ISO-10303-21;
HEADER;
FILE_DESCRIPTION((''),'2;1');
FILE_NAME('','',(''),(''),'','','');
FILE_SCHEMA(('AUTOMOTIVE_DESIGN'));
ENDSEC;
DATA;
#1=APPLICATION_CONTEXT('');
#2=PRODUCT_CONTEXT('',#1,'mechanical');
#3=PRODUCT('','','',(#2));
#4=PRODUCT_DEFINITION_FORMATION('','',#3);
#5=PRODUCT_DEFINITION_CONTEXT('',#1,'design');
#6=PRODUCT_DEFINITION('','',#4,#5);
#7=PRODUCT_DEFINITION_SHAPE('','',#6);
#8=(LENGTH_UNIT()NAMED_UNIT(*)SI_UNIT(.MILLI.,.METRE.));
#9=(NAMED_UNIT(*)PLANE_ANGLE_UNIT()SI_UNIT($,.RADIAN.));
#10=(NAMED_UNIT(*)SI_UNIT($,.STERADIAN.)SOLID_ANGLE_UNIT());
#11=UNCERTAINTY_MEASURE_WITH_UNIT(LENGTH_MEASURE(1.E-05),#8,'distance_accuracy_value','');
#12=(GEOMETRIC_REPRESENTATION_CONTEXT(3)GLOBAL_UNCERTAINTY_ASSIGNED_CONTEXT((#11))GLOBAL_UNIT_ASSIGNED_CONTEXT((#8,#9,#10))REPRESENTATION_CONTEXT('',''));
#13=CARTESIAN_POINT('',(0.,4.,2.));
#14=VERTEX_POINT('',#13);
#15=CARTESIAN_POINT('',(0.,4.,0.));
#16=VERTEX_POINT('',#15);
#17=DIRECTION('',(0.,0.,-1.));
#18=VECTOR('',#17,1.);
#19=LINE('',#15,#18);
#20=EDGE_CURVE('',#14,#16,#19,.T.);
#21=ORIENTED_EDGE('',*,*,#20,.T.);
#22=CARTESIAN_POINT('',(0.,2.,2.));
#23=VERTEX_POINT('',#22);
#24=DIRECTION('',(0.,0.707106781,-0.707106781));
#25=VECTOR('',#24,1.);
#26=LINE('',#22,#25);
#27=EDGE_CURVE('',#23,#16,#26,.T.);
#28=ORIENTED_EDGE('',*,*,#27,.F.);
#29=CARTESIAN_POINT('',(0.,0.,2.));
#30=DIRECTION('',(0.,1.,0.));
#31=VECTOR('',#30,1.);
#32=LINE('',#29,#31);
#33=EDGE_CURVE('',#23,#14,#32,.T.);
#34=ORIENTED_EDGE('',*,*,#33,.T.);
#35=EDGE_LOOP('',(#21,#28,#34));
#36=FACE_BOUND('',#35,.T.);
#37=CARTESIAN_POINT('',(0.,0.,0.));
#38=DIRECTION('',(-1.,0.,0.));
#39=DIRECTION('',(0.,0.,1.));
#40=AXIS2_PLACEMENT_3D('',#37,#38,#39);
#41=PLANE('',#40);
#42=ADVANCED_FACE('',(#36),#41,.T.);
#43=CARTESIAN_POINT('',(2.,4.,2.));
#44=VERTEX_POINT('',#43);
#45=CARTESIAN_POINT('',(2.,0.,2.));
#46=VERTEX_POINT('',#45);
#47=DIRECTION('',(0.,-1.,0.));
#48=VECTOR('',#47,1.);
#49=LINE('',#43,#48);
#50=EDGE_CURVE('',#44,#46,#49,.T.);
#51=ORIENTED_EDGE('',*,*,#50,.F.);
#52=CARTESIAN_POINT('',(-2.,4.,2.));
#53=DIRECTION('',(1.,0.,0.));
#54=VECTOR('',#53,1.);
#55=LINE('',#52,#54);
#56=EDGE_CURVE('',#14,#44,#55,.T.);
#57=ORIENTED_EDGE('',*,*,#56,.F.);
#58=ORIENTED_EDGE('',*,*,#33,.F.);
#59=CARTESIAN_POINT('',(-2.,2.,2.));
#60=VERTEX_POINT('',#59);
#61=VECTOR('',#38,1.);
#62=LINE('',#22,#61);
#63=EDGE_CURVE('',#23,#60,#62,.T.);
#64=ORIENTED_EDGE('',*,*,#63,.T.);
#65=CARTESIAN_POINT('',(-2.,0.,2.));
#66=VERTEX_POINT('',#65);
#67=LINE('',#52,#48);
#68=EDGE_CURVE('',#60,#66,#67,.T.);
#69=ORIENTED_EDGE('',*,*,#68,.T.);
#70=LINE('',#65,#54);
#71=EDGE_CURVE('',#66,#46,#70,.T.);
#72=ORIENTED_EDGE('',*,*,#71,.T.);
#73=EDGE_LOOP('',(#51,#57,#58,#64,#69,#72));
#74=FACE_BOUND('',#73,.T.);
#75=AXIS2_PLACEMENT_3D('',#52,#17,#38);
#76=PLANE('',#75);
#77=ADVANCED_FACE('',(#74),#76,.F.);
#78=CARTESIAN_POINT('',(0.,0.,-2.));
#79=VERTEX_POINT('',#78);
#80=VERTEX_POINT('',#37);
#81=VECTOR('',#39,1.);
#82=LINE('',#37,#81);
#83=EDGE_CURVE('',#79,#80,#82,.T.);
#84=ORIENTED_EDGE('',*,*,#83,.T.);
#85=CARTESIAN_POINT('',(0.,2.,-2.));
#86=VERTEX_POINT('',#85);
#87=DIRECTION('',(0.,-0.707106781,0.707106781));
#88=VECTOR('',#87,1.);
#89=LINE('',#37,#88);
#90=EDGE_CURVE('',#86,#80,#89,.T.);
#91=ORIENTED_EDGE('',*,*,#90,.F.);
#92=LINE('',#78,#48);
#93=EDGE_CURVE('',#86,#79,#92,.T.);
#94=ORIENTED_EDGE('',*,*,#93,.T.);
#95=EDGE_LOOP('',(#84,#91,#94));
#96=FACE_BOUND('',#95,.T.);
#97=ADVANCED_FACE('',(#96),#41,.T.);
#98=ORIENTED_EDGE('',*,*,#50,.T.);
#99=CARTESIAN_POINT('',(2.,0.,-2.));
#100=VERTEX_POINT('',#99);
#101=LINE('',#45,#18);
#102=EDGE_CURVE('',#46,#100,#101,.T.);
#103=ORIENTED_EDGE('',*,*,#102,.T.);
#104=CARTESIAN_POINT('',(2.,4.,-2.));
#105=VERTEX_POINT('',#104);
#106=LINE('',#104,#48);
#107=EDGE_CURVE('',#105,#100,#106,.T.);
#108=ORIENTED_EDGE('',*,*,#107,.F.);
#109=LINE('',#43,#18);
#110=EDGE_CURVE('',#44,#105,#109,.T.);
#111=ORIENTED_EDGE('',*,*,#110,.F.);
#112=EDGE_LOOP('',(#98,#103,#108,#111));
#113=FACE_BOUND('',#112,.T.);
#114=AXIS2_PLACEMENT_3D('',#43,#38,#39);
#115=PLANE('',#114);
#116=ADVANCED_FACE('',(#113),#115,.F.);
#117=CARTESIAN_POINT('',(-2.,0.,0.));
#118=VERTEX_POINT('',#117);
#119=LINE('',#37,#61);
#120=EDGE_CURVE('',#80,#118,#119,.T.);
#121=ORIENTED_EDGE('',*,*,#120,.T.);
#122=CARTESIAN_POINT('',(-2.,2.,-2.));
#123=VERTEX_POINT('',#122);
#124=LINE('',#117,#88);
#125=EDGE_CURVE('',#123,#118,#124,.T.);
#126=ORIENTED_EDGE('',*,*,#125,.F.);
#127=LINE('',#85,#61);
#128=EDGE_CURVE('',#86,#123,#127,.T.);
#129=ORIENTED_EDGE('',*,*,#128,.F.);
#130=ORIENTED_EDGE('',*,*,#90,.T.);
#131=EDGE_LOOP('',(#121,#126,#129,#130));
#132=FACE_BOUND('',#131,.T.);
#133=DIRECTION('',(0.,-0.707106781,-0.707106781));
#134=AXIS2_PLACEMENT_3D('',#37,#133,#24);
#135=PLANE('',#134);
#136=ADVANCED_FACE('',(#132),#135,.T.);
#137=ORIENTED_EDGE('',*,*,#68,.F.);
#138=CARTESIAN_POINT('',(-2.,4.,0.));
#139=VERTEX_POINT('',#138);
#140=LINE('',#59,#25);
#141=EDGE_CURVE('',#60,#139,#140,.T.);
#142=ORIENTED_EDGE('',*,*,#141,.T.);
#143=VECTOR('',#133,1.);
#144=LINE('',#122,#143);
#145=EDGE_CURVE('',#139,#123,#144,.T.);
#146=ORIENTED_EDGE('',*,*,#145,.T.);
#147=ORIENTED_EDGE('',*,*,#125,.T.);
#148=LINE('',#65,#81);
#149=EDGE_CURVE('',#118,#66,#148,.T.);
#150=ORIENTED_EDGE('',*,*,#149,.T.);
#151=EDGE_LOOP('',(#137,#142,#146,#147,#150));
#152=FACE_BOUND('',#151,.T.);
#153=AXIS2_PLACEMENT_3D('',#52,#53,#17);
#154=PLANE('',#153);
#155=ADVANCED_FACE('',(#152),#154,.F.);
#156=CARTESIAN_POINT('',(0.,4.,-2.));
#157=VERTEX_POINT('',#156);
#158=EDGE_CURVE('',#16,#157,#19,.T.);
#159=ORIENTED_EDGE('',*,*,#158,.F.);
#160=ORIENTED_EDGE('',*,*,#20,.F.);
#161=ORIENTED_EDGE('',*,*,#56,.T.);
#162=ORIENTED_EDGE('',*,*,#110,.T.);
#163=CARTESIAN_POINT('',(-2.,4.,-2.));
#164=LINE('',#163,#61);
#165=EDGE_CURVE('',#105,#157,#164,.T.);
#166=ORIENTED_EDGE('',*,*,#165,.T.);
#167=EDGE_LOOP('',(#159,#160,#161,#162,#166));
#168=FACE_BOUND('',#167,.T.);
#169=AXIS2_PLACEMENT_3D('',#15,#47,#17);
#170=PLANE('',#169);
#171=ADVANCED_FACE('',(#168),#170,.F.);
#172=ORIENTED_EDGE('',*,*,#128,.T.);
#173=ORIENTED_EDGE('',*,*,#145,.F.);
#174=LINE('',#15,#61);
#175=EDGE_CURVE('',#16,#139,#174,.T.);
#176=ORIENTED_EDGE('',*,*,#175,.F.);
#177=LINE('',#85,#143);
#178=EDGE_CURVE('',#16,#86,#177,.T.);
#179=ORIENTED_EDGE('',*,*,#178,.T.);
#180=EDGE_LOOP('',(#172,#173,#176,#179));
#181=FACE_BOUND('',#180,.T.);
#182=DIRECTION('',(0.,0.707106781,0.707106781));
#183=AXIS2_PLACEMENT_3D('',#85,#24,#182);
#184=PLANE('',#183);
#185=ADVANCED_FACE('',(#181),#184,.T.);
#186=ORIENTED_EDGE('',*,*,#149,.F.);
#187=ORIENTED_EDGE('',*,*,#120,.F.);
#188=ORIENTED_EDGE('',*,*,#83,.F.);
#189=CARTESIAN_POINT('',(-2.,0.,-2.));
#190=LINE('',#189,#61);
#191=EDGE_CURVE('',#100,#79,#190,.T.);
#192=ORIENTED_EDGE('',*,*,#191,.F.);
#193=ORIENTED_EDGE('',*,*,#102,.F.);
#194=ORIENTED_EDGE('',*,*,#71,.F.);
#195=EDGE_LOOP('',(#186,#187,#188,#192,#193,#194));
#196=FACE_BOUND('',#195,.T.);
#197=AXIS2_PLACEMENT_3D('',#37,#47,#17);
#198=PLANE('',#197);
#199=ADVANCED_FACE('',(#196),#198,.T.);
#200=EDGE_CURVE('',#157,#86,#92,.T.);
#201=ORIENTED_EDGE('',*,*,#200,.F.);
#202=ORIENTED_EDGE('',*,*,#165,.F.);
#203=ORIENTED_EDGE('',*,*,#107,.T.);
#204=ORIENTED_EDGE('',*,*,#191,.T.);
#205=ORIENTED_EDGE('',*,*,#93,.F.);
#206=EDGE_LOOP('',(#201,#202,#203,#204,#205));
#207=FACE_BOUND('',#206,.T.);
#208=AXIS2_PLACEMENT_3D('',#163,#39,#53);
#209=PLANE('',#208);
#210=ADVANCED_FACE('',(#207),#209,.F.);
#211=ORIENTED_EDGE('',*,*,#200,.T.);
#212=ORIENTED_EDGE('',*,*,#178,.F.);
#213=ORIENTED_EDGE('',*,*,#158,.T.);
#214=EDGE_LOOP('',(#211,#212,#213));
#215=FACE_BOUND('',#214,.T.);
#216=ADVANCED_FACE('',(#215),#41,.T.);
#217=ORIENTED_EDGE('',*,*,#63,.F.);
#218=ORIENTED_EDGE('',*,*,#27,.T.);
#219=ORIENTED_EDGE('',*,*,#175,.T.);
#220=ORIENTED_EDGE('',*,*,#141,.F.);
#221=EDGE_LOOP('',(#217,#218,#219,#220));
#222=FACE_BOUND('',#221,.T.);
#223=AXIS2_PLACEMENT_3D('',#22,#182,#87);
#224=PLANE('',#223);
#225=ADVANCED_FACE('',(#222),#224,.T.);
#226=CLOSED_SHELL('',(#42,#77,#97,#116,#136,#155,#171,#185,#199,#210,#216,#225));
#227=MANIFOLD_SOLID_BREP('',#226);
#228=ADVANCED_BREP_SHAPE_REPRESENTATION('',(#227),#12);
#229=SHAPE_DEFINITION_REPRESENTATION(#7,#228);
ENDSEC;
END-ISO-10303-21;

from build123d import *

# Parameters (mm, degrees)
SKETCH1_W           = 4
SKETCH1_H           = 4
BOSS_EXTRUDE1_DEPTH = 4
CUT_EXTRUDE1_DEPTH  = 2


with BuildPart() as part:
    # Sketch1 → Boss-Extrude1 (new body)
    with BuildSketch(Plane(origin=(0, 0, 0), x_dir=(1, 0, 0), z_dir=(0, 1, 0))):
        Rectangle(SKETCH1_W, SKETCH1_H)
    extrude(amount=BOSS_EXTRUDE1_DEPTH)

    # Sketch2 → Cut-Extrude1 (cut)
    with BuildSketch(Plane.ZY.offset(2)):
        Polygon((0, 4), (2, 2), (2, 4), align=None)
        Polygon((0, 0), (-2, 2), (-2, 0), align=None)
        Polygon((-2, 2), (0, 4), (-2, 4), align=None)
    extrude(amount=-CUT_EXTRUDE1_DEPTH, mode=Mode.SUBTRACT)


solid = part.part
